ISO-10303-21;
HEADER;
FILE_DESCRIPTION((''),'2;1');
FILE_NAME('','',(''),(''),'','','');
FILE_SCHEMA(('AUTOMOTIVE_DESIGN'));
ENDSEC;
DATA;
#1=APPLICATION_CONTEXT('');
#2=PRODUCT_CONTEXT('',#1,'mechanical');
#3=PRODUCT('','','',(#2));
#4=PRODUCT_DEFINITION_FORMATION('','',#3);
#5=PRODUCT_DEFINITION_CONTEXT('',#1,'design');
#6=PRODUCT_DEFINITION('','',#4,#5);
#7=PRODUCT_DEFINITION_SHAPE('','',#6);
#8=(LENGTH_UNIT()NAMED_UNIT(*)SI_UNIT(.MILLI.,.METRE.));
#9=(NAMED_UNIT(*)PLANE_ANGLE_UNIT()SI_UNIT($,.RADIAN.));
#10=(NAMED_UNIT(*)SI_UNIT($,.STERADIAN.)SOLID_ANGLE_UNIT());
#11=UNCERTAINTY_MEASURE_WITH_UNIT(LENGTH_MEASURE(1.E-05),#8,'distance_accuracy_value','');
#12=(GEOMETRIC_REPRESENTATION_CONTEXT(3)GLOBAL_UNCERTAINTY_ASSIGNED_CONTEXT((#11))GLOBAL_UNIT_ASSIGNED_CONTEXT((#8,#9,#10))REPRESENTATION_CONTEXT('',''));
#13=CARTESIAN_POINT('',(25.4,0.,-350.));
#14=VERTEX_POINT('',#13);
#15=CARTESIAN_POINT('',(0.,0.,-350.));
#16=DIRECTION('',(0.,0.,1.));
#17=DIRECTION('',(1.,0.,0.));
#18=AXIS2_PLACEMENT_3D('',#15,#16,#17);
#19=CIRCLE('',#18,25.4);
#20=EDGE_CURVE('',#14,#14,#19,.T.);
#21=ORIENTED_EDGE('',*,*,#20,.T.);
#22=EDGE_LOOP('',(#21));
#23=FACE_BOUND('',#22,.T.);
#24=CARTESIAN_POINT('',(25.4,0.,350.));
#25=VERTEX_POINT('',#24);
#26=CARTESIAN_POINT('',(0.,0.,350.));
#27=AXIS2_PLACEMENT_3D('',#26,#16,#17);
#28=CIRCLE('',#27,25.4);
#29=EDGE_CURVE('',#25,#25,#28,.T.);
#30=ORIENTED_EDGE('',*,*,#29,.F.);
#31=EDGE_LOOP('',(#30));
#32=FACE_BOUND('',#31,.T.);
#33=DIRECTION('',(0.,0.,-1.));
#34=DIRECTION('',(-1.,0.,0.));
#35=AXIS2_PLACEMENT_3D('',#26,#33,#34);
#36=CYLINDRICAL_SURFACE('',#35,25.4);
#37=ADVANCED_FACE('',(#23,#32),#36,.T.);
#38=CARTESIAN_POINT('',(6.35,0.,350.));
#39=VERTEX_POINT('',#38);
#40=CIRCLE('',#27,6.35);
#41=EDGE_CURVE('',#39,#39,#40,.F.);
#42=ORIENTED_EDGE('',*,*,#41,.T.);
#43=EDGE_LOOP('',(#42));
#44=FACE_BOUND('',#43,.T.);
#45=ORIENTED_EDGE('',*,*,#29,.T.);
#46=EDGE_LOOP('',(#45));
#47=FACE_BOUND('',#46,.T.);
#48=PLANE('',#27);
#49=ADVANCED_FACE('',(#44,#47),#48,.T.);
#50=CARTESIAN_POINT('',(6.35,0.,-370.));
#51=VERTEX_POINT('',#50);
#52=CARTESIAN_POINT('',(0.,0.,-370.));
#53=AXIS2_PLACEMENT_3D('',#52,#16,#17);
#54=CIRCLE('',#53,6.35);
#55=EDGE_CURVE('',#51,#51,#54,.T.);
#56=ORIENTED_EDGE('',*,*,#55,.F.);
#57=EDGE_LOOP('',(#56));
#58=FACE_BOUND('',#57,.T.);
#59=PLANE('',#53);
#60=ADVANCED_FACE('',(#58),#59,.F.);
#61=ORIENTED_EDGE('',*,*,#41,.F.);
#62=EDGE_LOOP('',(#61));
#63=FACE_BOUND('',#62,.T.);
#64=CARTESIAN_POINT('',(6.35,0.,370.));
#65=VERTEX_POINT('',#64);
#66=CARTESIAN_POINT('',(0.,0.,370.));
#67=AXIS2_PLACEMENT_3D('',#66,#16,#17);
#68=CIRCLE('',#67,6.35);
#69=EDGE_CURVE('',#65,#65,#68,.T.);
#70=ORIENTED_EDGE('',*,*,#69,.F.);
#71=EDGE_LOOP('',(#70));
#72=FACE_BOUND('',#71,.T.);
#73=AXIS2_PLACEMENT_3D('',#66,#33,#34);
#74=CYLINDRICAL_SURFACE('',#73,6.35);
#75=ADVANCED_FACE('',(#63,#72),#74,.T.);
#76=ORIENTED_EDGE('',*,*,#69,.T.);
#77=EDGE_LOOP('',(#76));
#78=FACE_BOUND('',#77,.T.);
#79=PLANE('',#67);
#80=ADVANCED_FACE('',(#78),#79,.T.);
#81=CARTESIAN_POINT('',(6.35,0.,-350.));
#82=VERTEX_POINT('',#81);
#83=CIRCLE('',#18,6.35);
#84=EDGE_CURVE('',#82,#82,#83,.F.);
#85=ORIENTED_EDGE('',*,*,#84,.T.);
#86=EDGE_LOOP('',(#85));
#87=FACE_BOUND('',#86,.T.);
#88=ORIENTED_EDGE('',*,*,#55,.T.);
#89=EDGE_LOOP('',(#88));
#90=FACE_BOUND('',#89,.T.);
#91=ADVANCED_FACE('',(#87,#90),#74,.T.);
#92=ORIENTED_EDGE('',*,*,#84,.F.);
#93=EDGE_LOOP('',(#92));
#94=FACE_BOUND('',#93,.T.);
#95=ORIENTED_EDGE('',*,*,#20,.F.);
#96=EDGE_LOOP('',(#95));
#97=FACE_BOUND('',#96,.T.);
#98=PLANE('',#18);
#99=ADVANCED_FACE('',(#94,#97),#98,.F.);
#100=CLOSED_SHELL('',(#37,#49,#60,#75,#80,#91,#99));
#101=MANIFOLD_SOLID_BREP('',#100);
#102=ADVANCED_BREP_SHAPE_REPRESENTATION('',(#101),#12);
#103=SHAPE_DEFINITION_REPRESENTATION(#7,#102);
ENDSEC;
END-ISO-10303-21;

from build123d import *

# Parameters (mm, degrees)
SKETCH1_R           = 25.4
BOSS_EXTRUDE1_DEPTH = 350
SKETCH2_R           = 6.35
BOSS_EXTRUDE2_DEPTH = 370


with BuildPart() as part:
    # Sketch1 → Boss-Extrude1 (new, symmetric)
    with BuildSketch(Plane.XY):
        Circle(SKETCH1_R)
    extrude(amount=BOSS_EXTRUDE1_DEPTH, both=True)

    # Sketch2 → Boss-Extrude2 (add, symmetric)
    with BuildSketch(Plane.XY):
        Circle(SKETCH2_R)
    extrude(amount=BOSS_EXTRUDE2_DEPTH, both=True)


solid = part.part
